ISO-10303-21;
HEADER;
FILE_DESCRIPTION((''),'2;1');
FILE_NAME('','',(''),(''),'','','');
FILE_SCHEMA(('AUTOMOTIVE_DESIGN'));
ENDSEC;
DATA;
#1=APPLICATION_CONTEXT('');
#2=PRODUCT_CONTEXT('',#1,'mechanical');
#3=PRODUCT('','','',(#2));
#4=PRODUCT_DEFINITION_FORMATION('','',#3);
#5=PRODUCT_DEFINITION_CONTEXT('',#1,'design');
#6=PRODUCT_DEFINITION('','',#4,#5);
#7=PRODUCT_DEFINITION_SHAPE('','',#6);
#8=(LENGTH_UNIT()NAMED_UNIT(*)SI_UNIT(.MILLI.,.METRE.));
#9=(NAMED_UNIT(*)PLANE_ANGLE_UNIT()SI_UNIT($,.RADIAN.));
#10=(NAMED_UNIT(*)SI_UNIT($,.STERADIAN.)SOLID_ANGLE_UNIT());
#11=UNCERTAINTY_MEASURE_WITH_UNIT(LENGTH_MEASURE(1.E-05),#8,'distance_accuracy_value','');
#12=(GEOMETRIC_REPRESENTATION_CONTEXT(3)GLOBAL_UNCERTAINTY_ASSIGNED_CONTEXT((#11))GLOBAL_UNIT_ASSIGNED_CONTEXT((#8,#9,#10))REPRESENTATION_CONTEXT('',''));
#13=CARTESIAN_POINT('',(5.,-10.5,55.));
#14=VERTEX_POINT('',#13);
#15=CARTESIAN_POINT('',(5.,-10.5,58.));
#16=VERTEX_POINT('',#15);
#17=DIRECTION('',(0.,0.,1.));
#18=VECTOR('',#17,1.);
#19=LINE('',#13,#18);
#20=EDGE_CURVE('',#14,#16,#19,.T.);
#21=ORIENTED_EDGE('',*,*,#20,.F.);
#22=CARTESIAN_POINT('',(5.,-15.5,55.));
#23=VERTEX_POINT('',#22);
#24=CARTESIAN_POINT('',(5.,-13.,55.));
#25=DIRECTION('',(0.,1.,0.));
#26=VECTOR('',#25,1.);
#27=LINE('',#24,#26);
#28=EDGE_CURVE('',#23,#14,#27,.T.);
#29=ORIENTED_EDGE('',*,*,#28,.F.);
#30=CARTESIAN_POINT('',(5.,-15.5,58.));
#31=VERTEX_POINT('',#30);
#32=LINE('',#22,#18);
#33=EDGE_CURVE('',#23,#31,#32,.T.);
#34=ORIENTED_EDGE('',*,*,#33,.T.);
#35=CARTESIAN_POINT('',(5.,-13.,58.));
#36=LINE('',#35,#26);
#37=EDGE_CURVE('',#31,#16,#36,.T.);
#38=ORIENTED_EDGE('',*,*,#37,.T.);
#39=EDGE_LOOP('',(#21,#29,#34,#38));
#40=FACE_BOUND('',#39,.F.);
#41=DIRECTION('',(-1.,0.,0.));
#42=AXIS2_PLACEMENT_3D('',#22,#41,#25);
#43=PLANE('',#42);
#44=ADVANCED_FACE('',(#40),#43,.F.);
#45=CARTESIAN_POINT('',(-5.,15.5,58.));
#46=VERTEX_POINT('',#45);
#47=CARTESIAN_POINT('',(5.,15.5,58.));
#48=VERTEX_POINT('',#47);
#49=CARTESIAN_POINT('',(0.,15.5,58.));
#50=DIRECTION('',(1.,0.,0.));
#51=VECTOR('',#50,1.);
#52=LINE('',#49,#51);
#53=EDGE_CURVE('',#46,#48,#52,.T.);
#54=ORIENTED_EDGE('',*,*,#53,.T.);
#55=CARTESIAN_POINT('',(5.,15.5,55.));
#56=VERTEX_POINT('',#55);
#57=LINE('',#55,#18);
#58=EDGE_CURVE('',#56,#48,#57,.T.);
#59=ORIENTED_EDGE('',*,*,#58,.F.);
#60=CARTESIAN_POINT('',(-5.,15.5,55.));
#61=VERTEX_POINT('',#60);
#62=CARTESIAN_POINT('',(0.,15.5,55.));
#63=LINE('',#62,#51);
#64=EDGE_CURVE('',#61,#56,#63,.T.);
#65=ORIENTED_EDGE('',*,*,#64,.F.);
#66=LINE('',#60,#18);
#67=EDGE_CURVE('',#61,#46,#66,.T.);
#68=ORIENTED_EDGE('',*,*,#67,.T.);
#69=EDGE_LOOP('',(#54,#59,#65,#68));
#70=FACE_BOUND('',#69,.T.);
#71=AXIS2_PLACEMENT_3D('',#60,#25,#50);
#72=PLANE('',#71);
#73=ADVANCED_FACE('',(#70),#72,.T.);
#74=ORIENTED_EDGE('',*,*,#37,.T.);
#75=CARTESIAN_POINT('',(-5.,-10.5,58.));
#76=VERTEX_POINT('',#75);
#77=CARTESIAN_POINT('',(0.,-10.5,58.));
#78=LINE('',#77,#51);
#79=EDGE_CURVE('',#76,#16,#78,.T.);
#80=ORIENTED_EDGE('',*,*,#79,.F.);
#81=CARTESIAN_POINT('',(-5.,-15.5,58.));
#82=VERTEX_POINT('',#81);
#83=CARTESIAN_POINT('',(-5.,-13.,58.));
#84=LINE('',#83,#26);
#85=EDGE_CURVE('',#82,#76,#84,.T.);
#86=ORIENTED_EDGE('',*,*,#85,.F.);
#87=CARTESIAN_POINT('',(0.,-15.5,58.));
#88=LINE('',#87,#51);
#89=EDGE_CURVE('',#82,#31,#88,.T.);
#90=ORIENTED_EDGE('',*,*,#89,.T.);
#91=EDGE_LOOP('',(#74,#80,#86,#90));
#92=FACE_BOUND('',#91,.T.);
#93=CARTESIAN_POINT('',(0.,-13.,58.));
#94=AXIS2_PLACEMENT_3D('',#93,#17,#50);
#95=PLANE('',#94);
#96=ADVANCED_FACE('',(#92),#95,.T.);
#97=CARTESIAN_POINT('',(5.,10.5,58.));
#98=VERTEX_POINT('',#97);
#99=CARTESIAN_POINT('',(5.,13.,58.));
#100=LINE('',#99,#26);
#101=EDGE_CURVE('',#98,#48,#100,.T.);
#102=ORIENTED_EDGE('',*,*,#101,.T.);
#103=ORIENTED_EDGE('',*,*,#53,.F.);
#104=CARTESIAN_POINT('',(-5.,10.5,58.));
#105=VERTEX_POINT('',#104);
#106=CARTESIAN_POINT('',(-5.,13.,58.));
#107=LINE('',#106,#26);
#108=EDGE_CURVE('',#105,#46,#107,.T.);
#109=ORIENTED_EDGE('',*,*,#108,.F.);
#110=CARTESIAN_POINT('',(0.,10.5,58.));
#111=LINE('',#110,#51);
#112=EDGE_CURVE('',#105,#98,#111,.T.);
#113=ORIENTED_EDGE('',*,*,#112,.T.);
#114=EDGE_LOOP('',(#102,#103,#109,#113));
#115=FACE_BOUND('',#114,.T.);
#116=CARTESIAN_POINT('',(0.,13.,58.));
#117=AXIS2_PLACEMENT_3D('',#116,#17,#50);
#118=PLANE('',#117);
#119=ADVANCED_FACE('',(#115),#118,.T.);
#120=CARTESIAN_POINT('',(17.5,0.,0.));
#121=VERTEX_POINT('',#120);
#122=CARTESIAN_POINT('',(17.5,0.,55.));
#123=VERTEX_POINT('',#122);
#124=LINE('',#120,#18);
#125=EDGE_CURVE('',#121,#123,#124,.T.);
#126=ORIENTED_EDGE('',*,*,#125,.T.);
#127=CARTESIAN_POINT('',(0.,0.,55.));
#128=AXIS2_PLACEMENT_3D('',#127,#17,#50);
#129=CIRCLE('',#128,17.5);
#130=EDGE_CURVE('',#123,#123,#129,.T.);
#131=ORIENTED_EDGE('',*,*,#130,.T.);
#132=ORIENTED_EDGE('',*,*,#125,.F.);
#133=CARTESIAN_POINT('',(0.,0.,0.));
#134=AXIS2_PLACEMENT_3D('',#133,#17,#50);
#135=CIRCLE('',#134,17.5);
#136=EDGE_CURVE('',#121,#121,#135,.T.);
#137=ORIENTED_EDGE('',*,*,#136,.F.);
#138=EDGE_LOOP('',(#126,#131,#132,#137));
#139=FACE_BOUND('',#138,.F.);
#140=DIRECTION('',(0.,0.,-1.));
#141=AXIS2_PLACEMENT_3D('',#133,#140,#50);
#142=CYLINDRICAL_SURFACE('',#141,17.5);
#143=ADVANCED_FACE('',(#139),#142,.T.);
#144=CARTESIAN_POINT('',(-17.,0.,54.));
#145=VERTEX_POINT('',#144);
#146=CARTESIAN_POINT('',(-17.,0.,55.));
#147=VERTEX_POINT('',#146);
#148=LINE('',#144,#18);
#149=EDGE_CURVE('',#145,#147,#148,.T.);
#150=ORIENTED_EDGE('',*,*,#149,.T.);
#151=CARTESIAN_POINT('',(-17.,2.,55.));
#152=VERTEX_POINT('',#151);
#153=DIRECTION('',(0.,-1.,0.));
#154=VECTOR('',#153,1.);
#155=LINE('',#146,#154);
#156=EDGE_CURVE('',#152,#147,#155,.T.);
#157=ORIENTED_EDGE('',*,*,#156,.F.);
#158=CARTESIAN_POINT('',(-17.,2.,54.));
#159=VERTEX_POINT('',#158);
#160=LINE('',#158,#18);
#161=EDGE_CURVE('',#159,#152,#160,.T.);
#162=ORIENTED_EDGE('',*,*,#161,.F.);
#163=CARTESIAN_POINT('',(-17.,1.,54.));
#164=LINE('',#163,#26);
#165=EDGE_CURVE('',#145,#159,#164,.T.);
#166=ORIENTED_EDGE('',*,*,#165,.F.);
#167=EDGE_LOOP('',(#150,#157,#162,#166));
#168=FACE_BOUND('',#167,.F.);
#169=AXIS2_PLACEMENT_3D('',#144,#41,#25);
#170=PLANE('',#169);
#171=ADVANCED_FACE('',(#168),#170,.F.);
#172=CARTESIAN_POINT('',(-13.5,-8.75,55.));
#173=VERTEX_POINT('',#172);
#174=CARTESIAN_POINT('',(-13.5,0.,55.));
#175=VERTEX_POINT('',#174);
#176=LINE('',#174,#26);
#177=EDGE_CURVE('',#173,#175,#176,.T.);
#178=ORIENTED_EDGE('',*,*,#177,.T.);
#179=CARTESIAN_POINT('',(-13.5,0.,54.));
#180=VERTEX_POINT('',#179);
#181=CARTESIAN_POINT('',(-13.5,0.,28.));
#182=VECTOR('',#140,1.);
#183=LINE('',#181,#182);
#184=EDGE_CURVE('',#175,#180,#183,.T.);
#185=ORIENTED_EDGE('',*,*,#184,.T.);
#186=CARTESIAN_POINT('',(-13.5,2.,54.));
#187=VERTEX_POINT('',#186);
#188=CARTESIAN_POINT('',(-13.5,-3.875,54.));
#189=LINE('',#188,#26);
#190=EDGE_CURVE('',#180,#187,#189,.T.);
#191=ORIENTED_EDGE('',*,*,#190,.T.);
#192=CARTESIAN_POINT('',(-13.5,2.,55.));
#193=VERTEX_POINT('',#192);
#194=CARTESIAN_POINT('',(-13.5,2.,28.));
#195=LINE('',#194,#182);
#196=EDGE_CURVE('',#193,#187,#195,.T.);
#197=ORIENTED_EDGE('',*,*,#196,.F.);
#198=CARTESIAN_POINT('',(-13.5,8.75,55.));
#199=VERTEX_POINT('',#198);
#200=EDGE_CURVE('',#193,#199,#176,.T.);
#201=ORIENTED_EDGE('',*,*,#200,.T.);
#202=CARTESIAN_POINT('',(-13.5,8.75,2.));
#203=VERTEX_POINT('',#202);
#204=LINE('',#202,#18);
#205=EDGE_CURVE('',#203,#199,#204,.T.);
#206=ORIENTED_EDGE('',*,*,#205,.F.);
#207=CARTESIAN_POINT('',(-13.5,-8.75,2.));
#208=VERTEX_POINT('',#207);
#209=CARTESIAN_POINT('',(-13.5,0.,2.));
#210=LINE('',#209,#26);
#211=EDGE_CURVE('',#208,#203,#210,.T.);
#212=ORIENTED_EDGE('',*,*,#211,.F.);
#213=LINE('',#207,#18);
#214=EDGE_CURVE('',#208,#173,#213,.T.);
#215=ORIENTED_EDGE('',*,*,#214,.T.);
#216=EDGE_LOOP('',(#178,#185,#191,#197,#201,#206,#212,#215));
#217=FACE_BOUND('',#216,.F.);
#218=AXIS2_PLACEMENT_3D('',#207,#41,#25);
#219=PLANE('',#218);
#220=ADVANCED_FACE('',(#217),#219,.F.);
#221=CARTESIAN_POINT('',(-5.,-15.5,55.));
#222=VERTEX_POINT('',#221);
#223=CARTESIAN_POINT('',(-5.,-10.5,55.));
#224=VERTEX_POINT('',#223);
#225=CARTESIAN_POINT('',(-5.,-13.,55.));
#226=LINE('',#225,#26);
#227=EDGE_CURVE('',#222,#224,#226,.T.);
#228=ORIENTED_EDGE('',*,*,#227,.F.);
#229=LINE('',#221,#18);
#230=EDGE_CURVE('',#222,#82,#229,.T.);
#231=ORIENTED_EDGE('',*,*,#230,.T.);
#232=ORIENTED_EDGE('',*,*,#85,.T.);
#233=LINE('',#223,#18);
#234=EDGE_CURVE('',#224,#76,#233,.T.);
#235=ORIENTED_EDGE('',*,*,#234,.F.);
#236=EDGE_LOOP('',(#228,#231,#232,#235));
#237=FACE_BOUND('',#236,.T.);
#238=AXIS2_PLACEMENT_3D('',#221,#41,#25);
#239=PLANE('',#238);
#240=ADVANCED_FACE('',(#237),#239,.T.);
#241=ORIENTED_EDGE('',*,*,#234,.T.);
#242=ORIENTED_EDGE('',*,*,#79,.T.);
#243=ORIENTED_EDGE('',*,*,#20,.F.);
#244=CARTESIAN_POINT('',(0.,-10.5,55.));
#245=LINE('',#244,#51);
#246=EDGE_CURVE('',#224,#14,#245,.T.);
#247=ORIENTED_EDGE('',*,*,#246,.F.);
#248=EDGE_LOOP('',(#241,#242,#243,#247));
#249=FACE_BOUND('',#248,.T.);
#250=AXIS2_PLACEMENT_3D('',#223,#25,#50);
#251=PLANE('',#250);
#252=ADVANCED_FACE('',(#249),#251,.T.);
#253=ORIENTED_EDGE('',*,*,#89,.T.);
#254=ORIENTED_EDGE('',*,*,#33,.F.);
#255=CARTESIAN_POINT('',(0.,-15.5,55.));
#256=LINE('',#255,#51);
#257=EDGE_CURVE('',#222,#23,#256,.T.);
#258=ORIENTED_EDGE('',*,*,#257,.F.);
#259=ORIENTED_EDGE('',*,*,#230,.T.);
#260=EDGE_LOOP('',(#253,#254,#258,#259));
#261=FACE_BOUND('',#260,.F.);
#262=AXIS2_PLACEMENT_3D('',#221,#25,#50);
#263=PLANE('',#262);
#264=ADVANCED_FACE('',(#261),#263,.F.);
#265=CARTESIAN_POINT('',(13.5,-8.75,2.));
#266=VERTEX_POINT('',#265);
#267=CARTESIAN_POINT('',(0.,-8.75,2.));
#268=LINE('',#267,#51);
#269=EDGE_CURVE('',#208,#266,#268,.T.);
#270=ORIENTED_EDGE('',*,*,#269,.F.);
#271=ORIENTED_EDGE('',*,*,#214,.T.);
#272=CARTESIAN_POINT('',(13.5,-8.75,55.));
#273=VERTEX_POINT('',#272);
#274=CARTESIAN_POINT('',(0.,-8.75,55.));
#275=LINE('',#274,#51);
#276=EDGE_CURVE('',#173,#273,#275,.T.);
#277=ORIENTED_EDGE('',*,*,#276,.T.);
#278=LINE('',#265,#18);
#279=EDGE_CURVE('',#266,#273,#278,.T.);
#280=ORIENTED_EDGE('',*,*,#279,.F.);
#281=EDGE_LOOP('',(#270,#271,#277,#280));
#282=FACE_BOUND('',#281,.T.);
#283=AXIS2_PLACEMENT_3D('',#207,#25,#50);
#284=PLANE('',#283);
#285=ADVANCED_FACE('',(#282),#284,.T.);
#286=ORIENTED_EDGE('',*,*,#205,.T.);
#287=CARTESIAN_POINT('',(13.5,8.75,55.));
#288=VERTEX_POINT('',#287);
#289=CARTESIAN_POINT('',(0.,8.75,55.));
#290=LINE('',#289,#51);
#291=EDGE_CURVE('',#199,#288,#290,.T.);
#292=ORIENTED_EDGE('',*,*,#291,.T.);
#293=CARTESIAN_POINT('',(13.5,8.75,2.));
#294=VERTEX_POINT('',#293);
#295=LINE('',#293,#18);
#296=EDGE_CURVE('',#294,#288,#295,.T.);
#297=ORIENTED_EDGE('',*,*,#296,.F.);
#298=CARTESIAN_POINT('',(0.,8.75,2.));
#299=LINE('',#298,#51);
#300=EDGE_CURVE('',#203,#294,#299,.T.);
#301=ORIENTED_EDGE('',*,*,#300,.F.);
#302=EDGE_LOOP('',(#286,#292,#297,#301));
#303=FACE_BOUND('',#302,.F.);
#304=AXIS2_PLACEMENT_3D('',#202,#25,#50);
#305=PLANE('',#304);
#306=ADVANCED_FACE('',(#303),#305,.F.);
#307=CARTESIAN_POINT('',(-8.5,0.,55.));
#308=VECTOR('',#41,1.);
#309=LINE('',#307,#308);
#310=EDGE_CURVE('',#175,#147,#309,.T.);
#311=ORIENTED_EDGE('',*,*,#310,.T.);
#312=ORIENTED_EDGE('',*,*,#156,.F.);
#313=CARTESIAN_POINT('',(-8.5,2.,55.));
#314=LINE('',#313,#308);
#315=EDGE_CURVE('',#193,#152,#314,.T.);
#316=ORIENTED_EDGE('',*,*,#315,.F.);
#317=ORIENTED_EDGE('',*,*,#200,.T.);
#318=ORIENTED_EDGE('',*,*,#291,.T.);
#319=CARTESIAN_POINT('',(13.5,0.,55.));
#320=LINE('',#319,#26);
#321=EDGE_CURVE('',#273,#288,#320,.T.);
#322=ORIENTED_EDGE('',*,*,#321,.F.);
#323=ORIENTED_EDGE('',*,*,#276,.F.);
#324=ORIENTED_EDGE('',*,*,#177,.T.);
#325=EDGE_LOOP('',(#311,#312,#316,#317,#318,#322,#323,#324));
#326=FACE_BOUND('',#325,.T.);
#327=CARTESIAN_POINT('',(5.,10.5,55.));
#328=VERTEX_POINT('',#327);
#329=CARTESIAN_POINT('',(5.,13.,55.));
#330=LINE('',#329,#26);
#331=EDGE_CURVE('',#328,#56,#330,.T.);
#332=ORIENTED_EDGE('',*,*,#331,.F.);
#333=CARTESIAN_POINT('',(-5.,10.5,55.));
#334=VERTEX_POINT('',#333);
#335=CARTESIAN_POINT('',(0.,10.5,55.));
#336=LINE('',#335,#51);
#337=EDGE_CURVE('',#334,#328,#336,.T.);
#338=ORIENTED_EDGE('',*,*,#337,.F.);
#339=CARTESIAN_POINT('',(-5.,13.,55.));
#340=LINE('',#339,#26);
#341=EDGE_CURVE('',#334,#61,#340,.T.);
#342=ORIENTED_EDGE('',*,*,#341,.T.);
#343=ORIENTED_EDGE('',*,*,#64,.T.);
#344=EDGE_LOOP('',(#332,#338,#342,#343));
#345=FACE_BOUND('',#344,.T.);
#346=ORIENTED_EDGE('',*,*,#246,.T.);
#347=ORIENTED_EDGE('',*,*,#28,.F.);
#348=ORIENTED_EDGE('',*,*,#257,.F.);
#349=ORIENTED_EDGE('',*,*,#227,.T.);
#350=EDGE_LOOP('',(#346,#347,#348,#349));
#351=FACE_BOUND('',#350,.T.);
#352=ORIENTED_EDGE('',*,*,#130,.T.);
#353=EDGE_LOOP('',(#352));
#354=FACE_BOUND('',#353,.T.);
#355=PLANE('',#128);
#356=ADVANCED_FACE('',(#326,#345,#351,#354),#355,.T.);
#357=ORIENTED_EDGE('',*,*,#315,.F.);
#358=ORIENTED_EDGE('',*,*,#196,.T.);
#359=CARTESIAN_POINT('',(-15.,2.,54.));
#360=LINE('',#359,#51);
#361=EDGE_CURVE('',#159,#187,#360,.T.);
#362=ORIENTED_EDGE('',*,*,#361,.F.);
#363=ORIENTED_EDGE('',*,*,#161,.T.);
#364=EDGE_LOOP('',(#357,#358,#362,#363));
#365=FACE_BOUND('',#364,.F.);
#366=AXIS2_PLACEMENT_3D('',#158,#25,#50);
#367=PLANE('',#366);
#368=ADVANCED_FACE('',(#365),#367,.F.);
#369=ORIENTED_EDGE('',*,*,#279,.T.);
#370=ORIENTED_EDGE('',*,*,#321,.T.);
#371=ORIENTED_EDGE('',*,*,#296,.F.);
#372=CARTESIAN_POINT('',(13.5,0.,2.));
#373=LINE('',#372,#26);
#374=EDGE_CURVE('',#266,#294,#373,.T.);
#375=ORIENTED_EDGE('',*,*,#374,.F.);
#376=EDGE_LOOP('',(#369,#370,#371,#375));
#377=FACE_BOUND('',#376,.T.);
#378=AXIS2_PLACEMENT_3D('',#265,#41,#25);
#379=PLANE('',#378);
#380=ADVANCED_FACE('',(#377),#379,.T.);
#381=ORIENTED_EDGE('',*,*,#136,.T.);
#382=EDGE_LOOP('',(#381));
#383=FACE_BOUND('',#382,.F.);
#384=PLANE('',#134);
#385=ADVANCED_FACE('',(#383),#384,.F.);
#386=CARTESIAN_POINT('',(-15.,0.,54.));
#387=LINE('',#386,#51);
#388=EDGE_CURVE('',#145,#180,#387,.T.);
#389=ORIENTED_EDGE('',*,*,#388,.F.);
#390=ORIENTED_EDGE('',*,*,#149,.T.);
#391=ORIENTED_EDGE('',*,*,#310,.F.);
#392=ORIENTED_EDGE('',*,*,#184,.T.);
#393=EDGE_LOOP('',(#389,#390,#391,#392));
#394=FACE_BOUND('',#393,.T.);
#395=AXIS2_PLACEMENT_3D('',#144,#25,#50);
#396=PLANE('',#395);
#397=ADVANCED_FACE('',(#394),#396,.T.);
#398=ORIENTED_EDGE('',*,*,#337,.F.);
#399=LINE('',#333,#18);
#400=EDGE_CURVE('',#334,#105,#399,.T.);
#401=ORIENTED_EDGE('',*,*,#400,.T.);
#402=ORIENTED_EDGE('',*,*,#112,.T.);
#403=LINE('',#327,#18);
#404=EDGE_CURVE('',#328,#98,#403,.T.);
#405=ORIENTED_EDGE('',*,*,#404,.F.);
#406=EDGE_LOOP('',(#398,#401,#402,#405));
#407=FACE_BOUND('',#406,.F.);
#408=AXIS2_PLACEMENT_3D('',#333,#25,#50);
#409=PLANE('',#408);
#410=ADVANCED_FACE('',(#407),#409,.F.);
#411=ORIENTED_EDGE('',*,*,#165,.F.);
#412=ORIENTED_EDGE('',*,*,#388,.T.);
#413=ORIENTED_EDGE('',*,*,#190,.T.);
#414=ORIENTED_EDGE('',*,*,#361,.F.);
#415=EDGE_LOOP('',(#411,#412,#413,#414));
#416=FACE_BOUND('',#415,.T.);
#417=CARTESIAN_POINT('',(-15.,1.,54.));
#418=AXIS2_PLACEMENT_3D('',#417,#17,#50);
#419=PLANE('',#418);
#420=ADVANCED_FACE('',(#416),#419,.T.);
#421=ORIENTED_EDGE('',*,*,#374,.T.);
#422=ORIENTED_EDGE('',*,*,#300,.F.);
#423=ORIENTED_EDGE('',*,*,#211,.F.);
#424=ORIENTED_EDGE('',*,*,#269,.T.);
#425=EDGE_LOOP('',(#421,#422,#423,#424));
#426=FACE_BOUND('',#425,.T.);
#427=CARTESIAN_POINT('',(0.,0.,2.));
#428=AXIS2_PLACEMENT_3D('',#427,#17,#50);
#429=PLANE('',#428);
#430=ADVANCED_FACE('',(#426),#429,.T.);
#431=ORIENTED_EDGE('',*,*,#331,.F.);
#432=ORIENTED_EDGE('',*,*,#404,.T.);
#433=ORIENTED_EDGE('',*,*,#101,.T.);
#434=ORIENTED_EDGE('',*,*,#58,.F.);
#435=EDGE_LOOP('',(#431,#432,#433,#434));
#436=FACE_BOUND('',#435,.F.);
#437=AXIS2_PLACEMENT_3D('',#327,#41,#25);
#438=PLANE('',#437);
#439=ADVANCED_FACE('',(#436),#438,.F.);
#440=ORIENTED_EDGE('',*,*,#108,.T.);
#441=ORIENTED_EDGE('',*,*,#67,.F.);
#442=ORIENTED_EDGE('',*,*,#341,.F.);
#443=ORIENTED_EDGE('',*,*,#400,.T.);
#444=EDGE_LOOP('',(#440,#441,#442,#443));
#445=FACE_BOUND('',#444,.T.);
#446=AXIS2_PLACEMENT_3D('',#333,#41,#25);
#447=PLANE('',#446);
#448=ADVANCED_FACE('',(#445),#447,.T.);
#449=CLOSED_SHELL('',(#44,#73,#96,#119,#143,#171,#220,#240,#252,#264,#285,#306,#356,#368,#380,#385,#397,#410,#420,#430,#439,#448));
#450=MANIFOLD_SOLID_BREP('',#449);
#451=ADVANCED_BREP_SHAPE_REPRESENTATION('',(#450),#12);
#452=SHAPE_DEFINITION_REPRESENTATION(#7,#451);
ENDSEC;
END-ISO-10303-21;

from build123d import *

# Parameters (mm, degrees)
BOX003_W       = 4
BOX003_H       = 2
BOX003_DEPTH   = 2
BOX_W          = 27
BOX_H          = 17.5
BOX_DEPTH      = 53
CYLINDER_R     = 17.5
CYLINDER_DEPTH = 55
BOX001_W       = 10
BOX001_H       = 5
BOX001_DEPTH   = 3
BOX002_W       = 10
BOX002_H       = 5
BOX002_DEPTH   = 3


with BuildPart() as box003:
    # Box003 → Box003 (new body)
    with BuildSketch(Plane(origin=(-17, 0, 54), x_dir=(1, 0, 0), z_dir=(0, 0, 1))):
        with Locations((2, 1)):
            Rectangle(BOX003_W, BOX003_H)
    extrude(amount=BOX003_DEPTH)


with BuildPart() as box:
    # Box → Box (new body)
    with BuildSketch(Plane(origin=(-13.5, -8.75, 2), x_dir=(1, 0, 0), z_dir=(0, 0, 1))):
        with Locations((13.5, 8.75)):
            Rectangle(BOX_W, BOX_H)
    extrude(amount=BOX_DEPTH)


with BuildPart() as cut:
    # Cylinder → Cylinder (new body)
    with BuildSketch(Plane.XY):
        Circle(CYLINDER_R)
    extrude(amount=CYLINDER_DEPTH)

    # Cut: cut Box
    add(box.part, mode=Mode.SUBTRACT)


with BuildPart() as fusion:
    # Box001 → Box001 (new body)
    with BuildSketch(Plane(origin=(-5, 10.5, 55), x_dir=(1, 0, 0), z_dir=(0, 0, 1))):
        with Locations((5, 2.5)):
            Rectangle(BOX001_W, BOX001_H)
    extrude(amount=BOX001_DEPTH)

    # Fusion: union Cut
    add(cut.part)


with BuildPart() as cut001:
    # Box002 → Box002 (new body)
    with BuildSketch(Plane(origin=(-5, -15.5, 55), x_dir=(1, 0, 0), z_dir=(0, 0, 1))):
        with Locations((5, 2.5)):
            Rectangle(BOX002_W, BOX002_H)
    extrude(amount=BOX002_DEPTH)

    # Fusion001: union Fusion
    add(fusion.part)

    # Cut001: cut Box003
    add(box003.part, mode=Mode.SUBTRACT)


solid = cut001.part
